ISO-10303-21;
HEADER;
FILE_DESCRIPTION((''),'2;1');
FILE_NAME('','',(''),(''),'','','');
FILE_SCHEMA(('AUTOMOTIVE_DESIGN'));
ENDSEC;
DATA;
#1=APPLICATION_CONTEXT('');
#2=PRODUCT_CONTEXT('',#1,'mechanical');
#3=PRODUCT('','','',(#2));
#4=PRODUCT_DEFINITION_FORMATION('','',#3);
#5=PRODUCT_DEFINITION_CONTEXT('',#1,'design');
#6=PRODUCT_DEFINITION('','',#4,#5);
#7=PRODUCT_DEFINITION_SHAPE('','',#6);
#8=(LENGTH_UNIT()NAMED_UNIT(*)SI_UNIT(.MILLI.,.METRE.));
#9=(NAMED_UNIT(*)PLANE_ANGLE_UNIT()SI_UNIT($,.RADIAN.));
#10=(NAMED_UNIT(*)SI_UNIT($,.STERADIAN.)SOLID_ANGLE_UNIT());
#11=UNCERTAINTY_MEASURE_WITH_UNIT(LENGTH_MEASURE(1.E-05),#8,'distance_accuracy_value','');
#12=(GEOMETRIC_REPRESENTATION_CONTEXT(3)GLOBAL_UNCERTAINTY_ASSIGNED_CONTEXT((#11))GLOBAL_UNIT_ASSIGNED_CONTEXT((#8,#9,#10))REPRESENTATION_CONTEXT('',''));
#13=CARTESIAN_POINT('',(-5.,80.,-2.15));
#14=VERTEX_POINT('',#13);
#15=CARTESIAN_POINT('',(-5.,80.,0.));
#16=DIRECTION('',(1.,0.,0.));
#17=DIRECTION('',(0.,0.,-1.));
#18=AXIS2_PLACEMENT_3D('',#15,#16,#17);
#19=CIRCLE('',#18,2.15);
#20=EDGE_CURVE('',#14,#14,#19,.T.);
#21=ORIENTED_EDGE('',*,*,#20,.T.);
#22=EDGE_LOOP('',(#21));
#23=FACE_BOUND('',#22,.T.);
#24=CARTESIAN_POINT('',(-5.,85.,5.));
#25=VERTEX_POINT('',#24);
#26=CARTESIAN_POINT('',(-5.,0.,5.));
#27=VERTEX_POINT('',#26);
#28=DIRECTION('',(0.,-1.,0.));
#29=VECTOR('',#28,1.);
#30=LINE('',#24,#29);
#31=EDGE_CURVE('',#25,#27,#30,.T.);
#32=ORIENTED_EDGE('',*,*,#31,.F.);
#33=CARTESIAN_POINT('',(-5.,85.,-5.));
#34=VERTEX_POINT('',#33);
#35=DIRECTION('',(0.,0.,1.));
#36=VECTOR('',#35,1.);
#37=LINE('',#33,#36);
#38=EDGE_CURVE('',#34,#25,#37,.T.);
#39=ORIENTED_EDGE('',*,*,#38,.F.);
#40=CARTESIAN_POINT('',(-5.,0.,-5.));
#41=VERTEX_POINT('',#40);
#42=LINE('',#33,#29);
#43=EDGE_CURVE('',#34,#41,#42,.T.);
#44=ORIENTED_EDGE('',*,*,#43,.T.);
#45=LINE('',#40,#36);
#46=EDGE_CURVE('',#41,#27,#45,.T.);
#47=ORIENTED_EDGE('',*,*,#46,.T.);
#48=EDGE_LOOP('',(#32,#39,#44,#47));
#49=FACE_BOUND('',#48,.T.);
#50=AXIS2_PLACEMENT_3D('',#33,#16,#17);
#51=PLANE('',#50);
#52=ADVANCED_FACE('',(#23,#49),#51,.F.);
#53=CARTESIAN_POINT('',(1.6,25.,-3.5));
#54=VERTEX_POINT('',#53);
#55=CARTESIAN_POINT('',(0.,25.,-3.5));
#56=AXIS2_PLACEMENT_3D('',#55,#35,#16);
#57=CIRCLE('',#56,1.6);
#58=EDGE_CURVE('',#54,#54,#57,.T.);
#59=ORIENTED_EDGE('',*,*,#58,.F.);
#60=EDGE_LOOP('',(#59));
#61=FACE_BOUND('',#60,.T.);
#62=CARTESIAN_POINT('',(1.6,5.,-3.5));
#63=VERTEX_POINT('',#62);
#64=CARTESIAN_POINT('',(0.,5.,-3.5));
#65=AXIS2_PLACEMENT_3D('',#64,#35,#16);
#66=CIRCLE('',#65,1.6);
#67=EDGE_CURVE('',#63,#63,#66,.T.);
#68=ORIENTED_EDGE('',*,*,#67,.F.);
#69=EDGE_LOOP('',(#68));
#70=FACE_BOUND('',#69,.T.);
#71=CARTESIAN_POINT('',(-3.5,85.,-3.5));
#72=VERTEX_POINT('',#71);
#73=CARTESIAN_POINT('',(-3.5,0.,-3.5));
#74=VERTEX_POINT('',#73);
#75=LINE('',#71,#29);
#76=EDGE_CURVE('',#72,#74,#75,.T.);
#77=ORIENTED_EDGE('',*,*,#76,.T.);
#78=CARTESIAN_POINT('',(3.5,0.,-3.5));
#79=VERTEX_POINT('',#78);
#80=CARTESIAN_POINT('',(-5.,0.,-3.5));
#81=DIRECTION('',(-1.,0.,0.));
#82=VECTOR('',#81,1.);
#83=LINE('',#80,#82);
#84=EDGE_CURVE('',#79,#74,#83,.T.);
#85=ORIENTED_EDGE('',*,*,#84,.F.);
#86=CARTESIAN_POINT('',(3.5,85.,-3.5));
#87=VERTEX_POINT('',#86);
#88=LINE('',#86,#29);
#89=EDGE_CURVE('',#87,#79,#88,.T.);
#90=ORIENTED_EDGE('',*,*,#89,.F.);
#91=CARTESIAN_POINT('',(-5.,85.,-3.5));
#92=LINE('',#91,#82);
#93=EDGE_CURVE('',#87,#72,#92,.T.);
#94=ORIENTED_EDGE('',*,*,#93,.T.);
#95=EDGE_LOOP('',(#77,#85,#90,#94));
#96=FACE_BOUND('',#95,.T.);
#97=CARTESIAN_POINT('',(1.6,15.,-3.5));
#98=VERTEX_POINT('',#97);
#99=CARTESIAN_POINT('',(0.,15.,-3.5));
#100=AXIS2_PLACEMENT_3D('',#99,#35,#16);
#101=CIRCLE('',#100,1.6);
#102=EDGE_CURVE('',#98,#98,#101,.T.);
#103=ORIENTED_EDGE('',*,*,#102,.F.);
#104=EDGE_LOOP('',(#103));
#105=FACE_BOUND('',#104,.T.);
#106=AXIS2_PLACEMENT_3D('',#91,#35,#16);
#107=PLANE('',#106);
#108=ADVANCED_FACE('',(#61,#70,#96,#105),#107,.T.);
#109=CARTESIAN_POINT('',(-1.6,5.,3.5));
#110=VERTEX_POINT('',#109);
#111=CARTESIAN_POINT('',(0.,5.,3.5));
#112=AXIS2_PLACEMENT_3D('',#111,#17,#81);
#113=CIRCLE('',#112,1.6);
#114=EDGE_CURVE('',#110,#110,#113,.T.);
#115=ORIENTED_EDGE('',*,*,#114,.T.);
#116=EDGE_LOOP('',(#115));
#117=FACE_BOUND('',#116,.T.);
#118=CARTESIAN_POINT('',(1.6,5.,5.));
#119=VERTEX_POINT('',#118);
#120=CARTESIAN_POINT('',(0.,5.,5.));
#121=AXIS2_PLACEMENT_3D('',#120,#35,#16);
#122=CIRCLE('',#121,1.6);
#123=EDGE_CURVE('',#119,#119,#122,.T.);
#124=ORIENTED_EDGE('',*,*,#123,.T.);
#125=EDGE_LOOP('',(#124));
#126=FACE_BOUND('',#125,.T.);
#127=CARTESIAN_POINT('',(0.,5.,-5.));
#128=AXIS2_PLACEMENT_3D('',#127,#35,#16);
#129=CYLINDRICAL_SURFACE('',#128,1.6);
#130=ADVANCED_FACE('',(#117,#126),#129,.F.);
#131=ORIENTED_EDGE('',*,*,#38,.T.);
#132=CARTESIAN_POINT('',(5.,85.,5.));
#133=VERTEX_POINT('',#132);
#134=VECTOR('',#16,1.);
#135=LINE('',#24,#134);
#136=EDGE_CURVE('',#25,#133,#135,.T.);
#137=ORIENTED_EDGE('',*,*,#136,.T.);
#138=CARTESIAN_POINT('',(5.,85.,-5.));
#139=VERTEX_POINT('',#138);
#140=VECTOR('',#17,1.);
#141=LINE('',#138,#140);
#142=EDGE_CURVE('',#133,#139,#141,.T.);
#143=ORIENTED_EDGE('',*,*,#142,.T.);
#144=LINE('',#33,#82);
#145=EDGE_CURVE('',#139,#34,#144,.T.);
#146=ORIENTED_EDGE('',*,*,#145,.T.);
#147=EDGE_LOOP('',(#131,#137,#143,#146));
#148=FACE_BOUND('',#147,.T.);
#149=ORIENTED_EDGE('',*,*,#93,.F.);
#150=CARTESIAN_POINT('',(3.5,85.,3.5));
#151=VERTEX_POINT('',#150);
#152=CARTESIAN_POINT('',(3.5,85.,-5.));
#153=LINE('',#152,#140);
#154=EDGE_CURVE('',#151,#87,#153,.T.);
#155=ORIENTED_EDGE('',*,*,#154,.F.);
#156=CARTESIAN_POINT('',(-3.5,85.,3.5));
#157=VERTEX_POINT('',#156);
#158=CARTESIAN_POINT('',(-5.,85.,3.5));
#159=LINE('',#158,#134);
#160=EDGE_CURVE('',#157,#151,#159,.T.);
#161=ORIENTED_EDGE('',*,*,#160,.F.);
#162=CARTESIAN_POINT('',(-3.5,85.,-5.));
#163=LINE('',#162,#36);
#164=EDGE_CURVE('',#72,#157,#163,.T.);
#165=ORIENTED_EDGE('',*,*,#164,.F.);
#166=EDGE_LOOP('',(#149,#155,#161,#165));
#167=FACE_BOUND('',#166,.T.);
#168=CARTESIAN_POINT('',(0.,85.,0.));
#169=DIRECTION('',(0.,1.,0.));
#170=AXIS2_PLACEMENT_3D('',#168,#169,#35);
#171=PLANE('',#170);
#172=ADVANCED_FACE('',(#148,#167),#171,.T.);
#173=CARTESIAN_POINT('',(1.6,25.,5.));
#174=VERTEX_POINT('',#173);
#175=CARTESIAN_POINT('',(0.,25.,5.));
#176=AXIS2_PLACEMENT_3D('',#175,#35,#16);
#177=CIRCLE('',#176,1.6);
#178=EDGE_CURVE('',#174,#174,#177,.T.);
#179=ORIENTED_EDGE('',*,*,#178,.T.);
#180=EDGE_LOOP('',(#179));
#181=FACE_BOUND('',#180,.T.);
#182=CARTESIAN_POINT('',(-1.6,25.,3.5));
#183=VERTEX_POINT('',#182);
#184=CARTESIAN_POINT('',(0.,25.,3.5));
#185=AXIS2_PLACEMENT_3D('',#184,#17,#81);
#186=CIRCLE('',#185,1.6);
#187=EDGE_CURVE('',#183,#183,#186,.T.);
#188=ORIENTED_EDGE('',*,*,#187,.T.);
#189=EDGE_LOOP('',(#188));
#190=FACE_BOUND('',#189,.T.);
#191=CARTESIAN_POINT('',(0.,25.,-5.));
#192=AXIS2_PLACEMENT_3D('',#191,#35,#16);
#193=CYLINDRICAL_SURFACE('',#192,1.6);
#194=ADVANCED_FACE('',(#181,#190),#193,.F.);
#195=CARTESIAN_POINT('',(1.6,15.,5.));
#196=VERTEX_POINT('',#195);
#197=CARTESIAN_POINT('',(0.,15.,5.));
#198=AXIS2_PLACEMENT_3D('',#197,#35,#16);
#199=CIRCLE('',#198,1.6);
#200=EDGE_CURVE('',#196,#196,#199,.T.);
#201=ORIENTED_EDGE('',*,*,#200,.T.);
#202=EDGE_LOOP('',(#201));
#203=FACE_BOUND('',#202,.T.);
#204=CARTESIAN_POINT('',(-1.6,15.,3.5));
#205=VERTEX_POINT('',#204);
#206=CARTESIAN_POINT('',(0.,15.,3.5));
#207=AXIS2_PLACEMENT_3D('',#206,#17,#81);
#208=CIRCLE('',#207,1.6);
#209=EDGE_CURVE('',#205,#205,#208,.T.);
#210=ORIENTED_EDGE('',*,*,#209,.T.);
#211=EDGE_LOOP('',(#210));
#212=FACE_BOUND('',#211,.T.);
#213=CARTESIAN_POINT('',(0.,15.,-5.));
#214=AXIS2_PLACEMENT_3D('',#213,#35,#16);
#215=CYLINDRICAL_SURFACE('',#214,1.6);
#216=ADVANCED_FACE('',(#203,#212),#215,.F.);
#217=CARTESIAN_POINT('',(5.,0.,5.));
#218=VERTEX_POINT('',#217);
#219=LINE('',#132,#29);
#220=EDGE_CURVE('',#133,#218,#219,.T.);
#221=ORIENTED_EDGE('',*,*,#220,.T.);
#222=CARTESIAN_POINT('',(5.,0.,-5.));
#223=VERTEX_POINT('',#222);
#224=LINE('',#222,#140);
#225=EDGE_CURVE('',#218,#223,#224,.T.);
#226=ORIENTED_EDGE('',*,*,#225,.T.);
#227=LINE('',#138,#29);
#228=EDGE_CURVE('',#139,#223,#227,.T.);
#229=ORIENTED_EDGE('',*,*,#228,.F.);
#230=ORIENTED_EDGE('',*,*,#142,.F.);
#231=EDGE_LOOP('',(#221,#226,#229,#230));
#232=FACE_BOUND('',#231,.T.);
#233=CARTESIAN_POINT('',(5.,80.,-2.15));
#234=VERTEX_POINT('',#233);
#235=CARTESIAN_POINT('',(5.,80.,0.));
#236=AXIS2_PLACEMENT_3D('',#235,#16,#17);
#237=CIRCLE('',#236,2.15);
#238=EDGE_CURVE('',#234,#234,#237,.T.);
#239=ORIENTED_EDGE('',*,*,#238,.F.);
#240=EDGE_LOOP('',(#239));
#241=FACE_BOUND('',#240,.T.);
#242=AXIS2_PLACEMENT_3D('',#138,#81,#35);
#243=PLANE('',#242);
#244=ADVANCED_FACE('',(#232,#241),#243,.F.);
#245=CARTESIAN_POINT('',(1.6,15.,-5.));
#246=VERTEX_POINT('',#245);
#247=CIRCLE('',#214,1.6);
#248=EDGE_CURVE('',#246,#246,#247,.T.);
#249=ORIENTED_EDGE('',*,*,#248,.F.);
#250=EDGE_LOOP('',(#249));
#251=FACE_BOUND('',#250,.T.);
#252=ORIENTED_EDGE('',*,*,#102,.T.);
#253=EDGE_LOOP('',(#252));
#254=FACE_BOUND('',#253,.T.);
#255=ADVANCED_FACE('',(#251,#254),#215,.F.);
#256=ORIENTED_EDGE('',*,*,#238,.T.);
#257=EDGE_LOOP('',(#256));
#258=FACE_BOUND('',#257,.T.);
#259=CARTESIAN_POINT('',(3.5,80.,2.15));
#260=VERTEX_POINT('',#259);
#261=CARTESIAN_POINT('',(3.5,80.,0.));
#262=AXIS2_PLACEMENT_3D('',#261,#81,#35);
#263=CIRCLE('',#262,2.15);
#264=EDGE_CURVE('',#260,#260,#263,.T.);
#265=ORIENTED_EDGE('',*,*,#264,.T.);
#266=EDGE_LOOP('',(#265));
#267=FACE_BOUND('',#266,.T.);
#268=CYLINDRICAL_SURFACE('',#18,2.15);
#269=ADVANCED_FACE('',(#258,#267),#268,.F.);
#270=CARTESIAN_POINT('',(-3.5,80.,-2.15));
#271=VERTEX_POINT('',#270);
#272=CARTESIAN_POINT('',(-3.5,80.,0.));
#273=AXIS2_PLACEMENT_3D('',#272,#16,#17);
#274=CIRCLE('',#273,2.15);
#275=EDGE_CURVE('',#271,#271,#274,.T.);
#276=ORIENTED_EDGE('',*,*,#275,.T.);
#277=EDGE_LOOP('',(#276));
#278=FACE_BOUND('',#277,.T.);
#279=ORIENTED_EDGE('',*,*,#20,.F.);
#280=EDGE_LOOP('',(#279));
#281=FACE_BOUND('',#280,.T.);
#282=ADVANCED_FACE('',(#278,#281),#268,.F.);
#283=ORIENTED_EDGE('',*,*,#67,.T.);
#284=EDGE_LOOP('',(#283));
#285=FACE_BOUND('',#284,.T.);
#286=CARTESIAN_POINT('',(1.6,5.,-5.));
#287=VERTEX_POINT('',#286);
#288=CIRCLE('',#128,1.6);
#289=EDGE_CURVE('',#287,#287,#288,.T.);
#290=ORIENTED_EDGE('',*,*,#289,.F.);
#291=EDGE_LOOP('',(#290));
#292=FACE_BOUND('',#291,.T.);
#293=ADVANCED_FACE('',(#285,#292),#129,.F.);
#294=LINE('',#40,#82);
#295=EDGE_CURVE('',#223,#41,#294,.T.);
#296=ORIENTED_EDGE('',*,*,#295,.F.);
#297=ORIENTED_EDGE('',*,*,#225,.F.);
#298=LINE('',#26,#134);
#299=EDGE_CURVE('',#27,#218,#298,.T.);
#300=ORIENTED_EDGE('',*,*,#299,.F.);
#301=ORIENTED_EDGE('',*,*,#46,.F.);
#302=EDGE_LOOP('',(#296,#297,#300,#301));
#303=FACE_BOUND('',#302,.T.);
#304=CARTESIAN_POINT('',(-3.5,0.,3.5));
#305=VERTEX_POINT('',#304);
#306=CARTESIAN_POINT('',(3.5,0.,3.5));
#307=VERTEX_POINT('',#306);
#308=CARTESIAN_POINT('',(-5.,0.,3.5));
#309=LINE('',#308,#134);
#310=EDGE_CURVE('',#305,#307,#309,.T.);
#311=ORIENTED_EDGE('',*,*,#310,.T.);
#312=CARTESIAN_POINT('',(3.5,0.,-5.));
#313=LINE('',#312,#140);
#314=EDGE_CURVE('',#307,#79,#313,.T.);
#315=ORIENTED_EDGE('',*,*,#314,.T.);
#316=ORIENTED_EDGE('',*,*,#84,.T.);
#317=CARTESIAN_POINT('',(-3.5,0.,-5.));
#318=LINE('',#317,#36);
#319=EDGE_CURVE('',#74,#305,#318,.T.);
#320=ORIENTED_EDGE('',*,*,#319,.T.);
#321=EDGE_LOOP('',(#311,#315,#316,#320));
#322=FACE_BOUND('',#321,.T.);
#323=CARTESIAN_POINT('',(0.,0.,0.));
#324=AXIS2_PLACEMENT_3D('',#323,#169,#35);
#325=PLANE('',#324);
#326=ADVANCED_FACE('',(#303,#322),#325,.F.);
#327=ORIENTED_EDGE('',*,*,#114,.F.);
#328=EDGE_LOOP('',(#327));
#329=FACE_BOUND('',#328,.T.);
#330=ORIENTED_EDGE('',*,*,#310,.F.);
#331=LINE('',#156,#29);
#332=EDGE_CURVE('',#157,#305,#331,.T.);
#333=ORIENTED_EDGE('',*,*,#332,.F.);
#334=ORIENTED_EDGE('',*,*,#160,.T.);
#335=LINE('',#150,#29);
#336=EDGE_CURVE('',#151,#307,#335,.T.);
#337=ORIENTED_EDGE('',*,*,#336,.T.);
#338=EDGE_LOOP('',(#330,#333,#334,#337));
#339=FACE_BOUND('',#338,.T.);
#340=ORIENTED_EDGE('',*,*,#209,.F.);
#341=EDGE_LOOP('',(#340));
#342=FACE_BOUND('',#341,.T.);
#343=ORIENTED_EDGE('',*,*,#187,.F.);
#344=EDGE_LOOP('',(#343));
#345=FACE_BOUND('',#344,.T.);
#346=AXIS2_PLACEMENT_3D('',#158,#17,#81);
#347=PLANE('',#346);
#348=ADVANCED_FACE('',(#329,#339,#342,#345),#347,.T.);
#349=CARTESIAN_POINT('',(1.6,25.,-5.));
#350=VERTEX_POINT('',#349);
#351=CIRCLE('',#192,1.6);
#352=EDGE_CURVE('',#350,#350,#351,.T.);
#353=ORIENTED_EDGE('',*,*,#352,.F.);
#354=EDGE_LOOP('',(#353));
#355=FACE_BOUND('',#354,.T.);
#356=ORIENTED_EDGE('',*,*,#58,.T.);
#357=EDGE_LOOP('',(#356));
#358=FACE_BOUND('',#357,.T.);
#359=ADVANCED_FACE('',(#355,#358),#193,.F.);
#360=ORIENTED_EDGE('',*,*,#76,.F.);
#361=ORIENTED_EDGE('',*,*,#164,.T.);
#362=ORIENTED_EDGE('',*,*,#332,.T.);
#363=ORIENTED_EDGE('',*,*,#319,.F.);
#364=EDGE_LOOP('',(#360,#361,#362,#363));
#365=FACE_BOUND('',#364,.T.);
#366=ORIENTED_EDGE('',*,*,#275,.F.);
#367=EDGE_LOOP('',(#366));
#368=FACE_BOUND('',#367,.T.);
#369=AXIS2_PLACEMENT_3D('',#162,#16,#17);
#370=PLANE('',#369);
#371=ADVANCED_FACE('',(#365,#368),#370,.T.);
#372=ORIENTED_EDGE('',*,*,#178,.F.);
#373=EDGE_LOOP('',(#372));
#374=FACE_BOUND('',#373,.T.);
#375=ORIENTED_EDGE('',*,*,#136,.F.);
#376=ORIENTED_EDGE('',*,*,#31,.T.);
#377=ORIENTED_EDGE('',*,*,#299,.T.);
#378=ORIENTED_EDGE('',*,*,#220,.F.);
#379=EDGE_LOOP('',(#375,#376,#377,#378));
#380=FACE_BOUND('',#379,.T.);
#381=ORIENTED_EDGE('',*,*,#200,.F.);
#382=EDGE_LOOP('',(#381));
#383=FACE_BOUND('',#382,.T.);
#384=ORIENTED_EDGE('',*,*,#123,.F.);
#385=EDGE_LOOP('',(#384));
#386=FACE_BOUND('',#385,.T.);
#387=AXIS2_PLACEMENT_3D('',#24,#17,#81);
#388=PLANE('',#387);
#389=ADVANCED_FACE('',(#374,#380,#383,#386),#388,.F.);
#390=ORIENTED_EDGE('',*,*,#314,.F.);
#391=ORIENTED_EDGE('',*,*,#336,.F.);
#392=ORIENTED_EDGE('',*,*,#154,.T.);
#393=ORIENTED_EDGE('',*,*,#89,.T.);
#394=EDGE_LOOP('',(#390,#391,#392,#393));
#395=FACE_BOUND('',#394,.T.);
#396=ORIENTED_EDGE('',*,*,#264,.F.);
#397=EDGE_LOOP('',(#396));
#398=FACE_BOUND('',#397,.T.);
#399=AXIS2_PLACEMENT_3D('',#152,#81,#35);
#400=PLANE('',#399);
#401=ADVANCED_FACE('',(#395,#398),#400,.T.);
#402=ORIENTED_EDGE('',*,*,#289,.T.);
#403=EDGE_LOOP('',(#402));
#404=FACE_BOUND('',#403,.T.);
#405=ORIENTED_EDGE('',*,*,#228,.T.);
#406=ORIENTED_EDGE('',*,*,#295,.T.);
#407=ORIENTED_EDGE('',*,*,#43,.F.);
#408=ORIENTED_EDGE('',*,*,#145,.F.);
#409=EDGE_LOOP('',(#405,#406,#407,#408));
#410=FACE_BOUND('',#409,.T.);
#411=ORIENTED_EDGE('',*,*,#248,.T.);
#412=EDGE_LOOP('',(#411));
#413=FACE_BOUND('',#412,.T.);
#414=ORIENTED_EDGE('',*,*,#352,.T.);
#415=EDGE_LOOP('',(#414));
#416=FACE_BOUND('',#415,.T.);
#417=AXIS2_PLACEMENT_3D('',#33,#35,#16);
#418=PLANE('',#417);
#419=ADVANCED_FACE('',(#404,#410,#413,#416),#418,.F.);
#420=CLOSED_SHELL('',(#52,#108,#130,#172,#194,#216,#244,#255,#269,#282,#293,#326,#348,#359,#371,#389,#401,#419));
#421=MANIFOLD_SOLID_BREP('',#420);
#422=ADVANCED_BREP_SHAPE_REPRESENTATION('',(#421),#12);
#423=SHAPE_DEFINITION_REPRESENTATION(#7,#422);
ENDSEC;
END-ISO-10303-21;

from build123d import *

# Parameters (mm, degrees)
SKETCH_1_W          = 10
SKETCH_1_H          = 10
SKETCH_1_W_2        = 7
SKETCH_1_H_2        = 7
EXTRUDE_1_DEPTH     = 85
SKETCH_2_R          = 1.6
CUT_EXTRUDE_1_DEPTH = 86.732140997
SKETCH_3_R          = 2.15
CUT_EXTRUDE_2_DEPTH = 86.732140997


with BuildPart() as part:
    # ｽｹｯﾁ1 → 押し出し-薄板1 (new body)
    with BuildSketch(Plane(origin=(0, 0, 0), x_dir=(1, 0, 0), z_dir=(0, 1, 0))):
        Rectangle(SKETCH_1_W, SKETCH_1_H)
        Rectangle(SKETCH_1_W_2, SKETCH_1_H_2, mode=Mode.SUBTRACT)
    extrude(amount=EXTRUDE_1_DEPTH)

    # ｽｹｯﾁ2 → ｶｯﾄ - 押し出し1 (cut, through all)
    with BuildSketch(Plane.XY.offset(5)):
        with Locations((0, 25)):
            Circle(SKETCH_2_R)
        with Locations((0, 5)):
            Circle(SKETCH_2_R)
        with Locations((0, 15)):
            Circle(SKETCH_2_R)
    extrude(amount=-CUT_EXTRUDE_1_DEPTH, mode=Mode.SUBTRACT)

    # ｽｹｯﾁ3 → ｶｯﾄ - 押し出し2 (cut, through all)
    with BuildSketch(Plane(origin=(5, 0, 0), x_dir=(0, 0, -1), z_dir=(1, 0, 0))):
        with Locations((0, 80)):
            Circle(SKETCH_3_R)
    extrude(amount=-CUT_EXTRUDE_2_DEPTH, mode=Mode.SUBTRACT)


solid = part.part
